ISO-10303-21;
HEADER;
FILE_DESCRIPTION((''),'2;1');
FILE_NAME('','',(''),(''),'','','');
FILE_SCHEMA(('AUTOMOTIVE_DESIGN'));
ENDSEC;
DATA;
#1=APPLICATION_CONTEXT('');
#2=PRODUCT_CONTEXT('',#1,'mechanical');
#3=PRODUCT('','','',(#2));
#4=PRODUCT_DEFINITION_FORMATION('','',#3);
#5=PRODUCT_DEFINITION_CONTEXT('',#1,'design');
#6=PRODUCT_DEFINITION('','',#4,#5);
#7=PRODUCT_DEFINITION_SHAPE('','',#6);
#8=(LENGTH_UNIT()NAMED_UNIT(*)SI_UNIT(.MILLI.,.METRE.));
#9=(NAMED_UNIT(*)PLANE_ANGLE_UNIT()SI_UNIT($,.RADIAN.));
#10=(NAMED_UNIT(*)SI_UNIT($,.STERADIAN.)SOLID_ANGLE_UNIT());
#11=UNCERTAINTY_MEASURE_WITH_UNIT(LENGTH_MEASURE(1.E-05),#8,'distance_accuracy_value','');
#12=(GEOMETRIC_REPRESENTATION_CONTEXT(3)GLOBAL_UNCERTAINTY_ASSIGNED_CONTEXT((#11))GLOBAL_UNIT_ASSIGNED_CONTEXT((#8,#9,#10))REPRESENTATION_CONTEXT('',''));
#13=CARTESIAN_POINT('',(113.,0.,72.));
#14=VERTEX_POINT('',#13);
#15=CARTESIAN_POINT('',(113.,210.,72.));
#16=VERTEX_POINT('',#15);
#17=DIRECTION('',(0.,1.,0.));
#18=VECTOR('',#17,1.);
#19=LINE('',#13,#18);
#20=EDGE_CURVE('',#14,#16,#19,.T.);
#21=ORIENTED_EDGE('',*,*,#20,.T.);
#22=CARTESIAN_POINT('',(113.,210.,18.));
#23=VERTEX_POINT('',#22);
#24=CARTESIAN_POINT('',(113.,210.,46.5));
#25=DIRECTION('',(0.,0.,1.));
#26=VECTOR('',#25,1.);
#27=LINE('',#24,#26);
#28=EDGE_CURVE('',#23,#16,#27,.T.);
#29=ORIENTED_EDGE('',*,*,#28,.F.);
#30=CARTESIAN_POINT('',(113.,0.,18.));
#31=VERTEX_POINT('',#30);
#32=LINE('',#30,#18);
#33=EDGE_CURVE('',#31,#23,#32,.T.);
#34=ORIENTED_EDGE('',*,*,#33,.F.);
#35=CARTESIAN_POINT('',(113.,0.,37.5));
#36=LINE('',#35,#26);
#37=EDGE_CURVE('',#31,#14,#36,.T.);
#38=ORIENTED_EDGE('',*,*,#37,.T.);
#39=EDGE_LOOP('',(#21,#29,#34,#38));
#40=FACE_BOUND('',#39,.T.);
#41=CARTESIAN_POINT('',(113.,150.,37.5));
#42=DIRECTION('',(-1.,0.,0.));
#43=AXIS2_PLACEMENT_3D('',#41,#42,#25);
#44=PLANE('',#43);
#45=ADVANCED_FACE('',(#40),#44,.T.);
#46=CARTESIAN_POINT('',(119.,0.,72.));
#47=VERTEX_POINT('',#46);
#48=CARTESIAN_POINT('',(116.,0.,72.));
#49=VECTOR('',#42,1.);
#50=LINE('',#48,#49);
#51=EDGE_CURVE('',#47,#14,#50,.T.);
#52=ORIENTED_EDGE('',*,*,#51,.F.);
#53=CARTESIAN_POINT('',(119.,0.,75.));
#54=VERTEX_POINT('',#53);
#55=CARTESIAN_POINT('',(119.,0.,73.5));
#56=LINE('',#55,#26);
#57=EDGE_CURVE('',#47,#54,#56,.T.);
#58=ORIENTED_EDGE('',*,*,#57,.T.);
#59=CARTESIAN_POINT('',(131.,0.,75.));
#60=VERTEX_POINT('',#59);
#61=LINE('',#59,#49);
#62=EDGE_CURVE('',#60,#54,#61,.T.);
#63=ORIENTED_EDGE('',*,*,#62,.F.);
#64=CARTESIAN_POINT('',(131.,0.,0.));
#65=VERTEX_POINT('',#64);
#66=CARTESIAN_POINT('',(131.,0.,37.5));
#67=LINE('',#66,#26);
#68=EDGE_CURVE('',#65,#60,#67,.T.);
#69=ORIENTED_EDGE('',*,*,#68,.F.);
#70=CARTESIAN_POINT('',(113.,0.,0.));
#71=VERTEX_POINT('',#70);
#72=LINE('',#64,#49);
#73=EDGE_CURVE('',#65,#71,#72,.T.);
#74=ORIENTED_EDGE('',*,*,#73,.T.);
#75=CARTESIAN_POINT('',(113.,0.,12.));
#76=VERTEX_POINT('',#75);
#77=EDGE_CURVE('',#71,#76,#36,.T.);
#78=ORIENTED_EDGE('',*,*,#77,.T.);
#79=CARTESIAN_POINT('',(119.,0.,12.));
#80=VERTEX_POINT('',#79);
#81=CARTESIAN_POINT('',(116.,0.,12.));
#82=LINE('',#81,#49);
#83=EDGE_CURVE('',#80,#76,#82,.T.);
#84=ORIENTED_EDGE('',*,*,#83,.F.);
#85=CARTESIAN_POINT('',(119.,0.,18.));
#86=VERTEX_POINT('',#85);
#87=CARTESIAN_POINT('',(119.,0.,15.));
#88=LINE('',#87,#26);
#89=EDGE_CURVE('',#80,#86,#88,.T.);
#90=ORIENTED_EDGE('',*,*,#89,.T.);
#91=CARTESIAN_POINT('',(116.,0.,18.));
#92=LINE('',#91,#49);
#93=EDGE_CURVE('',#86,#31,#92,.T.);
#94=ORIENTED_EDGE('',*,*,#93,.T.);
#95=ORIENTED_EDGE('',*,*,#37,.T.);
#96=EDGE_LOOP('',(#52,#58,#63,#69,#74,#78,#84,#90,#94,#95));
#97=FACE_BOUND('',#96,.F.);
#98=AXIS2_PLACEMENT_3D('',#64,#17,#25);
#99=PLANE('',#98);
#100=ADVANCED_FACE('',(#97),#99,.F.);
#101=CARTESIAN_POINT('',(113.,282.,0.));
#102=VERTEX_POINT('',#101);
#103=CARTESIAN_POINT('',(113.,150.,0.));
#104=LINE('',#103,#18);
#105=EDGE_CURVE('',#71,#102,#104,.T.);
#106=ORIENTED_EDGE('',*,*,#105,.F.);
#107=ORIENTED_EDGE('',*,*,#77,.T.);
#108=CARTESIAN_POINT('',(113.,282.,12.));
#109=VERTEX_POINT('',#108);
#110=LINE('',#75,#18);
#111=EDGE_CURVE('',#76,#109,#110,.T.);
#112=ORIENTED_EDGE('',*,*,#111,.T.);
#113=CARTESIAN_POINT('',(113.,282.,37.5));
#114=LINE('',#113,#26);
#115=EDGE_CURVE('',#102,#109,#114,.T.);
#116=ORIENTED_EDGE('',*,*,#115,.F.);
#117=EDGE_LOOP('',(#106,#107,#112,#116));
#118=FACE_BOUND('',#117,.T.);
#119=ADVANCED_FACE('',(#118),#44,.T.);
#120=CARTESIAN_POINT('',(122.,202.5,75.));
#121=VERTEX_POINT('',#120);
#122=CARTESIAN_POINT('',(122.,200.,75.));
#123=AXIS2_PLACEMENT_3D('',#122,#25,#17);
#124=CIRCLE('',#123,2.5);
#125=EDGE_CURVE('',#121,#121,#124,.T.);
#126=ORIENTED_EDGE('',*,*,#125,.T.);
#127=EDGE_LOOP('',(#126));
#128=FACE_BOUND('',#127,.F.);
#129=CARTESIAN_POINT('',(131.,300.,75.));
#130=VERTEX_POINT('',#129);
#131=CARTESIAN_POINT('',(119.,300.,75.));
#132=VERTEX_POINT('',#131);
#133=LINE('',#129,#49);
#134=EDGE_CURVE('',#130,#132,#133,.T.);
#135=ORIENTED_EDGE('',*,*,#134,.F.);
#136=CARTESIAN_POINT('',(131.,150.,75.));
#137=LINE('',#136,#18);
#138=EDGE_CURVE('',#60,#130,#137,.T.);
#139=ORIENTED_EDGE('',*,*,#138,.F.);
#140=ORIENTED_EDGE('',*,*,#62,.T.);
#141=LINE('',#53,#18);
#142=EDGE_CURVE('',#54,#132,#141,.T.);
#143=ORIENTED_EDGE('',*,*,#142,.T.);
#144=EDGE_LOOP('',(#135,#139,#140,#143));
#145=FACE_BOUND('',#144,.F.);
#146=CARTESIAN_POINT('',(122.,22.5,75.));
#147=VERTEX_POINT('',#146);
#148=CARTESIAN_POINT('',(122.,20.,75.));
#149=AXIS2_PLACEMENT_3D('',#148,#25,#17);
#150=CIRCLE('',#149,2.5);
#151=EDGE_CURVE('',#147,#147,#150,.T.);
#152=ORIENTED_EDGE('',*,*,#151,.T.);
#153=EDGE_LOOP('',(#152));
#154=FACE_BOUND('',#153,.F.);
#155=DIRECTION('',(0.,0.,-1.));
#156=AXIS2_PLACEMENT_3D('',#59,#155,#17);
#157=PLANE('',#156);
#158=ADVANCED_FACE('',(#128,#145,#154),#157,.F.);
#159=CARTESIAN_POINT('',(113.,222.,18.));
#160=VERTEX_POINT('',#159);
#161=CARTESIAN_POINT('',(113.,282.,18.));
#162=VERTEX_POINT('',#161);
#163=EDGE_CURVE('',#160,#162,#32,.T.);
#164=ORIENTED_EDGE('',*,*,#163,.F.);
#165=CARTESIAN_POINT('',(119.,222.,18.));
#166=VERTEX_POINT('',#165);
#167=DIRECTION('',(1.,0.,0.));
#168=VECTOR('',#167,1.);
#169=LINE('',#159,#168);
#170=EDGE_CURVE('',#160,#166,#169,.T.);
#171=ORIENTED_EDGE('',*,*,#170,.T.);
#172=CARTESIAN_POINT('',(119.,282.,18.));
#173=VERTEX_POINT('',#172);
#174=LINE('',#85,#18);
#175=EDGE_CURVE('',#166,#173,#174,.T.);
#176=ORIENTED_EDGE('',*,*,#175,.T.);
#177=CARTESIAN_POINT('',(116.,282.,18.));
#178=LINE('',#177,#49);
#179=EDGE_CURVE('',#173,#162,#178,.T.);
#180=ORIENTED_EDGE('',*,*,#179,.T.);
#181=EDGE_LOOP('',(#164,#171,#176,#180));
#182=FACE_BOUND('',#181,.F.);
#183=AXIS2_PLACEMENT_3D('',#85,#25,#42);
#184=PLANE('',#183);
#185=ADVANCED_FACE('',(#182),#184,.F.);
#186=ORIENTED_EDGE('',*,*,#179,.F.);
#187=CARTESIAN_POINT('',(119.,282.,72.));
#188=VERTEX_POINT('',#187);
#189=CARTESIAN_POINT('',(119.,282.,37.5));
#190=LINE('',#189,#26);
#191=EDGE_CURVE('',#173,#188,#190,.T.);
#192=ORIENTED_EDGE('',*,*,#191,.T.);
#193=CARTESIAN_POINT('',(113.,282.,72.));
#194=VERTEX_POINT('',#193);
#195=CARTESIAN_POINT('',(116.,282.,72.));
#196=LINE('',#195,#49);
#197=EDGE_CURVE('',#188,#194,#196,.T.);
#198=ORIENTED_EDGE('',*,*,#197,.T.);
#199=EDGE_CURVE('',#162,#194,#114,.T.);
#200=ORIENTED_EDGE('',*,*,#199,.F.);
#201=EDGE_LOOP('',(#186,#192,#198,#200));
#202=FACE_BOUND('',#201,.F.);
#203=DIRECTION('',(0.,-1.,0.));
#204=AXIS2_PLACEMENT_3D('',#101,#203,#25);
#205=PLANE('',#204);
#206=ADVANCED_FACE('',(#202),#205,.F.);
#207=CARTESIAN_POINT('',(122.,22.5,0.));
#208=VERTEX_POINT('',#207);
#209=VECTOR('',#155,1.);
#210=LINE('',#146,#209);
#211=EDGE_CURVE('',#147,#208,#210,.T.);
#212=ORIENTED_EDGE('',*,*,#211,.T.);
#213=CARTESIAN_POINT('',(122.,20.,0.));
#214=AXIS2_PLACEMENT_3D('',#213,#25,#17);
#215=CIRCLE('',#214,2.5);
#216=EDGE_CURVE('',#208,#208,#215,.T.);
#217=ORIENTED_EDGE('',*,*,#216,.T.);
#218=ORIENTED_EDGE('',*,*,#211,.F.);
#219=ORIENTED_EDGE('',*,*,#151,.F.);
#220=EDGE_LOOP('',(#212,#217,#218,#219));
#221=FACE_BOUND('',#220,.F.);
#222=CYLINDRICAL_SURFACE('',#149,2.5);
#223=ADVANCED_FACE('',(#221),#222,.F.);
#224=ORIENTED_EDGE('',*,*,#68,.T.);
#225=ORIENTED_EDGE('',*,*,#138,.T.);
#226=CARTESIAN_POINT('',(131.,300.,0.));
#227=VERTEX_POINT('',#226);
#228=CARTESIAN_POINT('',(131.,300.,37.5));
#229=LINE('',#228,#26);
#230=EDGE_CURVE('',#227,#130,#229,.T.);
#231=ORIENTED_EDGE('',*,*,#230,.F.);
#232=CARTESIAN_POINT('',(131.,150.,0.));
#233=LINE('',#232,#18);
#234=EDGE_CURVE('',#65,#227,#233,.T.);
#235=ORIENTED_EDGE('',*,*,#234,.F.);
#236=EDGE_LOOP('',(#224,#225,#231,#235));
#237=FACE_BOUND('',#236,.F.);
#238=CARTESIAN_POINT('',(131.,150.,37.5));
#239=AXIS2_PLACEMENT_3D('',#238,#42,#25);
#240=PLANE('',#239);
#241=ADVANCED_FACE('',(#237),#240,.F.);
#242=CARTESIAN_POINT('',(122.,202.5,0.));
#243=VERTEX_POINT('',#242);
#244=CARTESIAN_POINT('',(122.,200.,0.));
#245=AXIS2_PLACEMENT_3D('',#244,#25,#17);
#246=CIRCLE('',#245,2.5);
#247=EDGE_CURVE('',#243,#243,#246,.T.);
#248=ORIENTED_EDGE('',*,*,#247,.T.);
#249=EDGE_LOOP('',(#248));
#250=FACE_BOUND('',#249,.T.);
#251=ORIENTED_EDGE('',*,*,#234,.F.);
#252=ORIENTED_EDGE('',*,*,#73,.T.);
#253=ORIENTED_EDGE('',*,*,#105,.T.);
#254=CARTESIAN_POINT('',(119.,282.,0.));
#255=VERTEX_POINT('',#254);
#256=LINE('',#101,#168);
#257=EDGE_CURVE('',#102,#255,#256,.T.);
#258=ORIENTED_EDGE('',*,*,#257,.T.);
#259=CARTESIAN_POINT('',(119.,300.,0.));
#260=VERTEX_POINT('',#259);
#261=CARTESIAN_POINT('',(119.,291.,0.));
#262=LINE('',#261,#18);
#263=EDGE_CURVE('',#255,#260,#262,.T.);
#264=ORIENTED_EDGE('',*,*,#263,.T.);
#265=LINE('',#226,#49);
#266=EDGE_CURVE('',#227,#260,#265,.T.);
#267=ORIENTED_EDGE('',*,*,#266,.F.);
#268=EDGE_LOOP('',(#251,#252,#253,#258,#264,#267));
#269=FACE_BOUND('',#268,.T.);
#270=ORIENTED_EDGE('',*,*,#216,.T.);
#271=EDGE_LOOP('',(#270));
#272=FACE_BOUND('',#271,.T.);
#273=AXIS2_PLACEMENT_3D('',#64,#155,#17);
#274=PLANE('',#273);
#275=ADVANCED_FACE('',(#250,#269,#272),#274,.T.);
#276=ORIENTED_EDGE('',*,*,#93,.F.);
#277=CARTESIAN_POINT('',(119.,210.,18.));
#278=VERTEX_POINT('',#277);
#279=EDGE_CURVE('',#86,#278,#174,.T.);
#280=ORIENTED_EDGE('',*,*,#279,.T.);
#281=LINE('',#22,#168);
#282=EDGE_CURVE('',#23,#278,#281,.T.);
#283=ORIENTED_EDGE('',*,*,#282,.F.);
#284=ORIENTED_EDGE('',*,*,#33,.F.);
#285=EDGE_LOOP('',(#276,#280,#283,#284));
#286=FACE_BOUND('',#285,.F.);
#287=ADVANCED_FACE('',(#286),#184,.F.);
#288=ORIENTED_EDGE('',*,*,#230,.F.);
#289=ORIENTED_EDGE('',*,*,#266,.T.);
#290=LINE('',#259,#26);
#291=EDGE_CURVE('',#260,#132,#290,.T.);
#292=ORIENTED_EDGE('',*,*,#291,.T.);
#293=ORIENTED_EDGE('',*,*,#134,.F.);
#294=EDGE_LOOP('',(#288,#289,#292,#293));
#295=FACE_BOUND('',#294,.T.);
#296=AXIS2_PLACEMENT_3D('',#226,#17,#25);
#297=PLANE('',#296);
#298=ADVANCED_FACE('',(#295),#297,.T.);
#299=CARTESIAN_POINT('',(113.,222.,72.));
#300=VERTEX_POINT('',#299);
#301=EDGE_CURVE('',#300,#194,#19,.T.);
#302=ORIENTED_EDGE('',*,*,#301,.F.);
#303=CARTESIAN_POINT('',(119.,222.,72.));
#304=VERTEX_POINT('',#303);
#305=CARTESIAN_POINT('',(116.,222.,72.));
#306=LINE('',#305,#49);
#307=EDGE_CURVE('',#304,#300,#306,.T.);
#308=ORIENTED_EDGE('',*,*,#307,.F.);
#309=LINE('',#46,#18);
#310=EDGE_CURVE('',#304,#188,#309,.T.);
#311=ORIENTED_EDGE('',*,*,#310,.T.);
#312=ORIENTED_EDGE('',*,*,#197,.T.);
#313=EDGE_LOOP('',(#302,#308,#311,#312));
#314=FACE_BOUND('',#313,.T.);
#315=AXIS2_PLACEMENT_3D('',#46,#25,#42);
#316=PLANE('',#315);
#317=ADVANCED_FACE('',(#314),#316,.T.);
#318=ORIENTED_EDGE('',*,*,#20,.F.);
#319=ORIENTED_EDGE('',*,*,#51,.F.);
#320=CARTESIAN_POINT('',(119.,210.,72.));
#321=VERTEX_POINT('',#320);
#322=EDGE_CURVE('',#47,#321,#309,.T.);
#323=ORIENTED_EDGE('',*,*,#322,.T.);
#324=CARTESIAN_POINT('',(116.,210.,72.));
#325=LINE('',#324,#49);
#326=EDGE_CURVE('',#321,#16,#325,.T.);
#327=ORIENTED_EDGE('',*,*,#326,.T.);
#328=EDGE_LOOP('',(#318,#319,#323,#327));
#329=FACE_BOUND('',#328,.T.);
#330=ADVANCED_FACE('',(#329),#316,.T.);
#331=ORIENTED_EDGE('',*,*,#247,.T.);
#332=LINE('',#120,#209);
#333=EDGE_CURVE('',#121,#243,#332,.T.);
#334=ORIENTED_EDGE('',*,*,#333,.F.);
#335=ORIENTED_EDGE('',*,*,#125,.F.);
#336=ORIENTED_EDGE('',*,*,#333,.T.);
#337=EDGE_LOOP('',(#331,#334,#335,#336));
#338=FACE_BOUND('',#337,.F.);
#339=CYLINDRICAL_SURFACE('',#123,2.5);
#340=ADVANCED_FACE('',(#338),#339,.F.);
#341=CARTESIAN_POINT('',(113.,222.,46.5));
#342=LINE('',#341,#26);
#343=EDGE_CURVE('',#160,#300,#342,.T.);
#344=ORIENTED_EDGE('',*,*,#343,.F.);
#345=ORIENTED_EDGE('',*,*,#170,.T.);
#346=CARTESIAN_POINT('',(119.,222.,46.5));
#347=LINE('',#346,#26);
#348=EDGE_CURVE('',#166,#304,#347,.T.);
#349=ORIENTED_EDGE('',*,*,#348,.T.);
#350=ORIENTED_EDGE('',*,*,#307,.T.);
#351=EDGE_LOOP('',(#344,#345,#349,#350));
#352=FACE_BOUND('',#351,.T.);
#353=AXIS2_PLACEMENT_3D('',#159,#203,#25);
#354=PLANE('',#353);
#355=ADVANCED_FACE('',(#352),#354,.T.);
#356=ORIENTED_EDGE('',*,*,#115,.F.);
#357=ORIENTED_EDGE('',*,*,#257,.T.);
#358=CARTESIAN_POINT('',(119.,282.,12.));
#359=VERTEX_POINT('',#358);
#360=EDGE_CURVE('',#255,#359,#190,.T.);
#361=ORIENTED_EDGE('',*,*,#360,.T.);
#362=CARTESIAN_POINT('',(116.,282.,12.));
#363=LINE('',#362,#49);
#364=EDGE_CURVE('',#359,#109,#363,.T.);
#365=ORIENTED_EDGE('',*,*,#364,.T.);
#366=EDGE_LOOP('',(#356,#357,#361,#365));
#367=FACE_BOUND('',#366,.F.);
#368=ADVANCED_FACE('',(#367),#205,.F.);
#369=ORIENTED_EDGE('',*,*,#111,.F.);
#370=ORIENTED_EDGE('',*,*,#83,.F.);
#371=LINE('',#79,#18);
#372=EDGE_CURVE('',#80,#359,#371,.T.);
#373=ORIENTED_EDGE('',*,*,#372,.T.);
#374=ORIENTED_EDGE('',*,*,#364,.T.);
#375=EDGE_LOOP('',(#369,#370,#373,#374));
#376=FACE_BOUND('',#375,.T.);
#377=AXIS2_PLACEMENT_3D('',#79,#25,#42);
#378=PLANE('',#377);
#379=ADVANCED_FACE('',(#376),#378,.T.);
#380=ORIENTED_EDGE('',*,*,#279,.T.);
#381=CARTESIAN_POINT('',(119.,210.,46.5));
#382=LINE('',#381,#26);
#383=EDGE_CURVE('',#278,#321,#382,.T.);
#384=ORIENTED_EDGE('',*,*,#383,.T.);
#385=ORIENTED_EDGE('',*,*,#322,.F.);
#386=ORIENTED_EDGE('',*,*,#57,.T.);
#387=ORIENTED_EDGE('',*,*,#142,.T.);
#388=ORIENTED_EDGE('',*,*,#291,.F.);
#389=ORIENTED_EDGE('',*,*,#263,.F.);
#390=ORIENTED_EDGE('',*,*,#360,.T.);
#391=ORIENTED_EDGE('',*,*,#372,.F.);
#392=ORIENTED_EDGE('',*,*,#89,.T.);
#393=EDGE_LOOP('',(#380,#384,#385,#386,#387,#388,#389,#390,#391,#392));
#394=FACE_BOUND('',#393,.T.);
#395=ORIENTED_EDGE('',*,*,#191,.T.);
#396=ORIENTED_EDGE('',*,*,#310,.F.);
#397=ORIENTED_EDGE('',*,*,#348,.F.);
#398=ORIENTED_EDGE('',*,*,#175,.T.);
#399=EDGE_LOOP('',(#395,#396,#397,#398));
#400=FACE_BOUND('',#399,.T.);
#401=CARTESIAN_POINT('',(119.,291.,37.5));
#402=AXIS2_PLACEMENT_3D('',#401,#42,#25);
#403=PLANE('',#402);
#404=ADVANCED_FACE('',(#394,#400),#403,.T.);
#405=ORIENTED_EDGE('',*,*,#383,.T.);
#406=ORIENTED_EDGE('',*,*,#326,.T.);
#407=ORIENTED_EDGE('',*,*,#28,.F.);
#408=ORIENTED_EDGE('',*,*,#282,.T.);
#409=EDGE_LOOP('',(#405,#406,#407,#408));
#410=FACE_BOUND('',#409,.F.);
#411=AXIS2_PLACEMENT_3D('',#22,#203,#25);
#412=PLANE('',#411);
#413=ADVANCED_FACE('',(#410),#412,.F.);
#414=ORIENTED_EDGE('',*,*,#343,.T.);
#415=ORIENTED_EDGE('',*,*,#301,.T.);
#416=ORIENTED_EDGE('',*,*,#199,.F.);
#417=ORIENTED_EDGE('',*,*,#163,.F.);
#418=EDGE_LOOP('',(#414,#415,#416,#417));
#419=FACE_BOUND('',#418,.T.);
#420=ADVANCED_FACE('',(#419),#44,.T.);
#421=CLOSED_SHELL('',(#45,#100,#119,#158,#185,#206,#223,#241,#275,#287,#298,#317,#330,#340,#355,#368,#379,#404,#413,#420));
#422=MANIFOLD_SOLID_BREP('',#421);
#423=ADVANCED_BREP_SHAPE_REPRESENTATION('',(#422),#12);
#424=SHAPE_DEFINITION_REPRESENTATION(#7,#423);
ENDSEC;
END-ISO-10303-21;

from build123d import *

# Parameters (mm, degrees)
SKETCH025_W             = 75
SKETCH025_H             = 300
PAD008_DEPTH            = 18
SKETCH026_W             = 75
SKETCH026_H             = 18
SKETCH026_W_2           = 57
SKETCH026_H_2           = 12
POCKET017_DEPTH         = 6
SKETCH027_W             = 6
SKETCH027_H             = 6
SKETCH027_W_2           = 3
POCKET018_DEPTH         = 300
SKETCH032_R             = 2.5
POCKET021_DEPTH         = 75
BODY009_PLACEMENT_ANGLE = 90


with BuildPart() as part:
    # Sketch025 → Pad008 (new body)
    with BuildSketch(Plane.XY):
        with Locations((37.5, 150)):
            Rectangle(SKETCH025_W, SKETCH025_H)
    extrude(amount=PAD008_DEPTH)

    # Sketch026 → Pocket017 (cut)
    with BuildSketch(Plane.XY.offset(18)):
        with Locations((37.5, 291)):
            Rectangle(SKETCH026_W, SKETCH026_H)
        with Locations((46.5, 216)):
            Rectangle(SKETCH026_W_2, SKETCH026_H_2)
    extrude(amount=-POCKET017_DEPTH, mode=Mode.SUBTRACT)

    # Sketch027 → Pocket018 (cut)
    with BuildSketch(Plane.XZ):
        with Locations((15, 15)):
            Rectangle(SKETCH027_W, SKETCH027_H)
        with Locations((73.5, 15)):
            Rectangle(SKETCH027_W_2, SKETCH027_H)
    extrude(amount=-POCKET018_DEPTH, mode=Mode.SUBTRACT)

    # Sketch032 → Pocket021 (cut)
    with BuildSketch(Plane.YZ.offset(75)):
        with Locations((20, 9)):
            Circle(SKETCH032_R)
        with Locations((200, 9)):
            Circle(SKETCH032_R)
    extrude(amount=-POCKET021_DEPTH, mode=Mode.SUBTRACT)


with BuildPart() as part_1:
    # Body009 placement: moved
    add(part.part.moved(Location((131, 0, 0))).rotate(Axis((131, 0, 0), (0, -1, 0)), BODY009_PLACEMENT_ANGLE))


solid = part_1.part
